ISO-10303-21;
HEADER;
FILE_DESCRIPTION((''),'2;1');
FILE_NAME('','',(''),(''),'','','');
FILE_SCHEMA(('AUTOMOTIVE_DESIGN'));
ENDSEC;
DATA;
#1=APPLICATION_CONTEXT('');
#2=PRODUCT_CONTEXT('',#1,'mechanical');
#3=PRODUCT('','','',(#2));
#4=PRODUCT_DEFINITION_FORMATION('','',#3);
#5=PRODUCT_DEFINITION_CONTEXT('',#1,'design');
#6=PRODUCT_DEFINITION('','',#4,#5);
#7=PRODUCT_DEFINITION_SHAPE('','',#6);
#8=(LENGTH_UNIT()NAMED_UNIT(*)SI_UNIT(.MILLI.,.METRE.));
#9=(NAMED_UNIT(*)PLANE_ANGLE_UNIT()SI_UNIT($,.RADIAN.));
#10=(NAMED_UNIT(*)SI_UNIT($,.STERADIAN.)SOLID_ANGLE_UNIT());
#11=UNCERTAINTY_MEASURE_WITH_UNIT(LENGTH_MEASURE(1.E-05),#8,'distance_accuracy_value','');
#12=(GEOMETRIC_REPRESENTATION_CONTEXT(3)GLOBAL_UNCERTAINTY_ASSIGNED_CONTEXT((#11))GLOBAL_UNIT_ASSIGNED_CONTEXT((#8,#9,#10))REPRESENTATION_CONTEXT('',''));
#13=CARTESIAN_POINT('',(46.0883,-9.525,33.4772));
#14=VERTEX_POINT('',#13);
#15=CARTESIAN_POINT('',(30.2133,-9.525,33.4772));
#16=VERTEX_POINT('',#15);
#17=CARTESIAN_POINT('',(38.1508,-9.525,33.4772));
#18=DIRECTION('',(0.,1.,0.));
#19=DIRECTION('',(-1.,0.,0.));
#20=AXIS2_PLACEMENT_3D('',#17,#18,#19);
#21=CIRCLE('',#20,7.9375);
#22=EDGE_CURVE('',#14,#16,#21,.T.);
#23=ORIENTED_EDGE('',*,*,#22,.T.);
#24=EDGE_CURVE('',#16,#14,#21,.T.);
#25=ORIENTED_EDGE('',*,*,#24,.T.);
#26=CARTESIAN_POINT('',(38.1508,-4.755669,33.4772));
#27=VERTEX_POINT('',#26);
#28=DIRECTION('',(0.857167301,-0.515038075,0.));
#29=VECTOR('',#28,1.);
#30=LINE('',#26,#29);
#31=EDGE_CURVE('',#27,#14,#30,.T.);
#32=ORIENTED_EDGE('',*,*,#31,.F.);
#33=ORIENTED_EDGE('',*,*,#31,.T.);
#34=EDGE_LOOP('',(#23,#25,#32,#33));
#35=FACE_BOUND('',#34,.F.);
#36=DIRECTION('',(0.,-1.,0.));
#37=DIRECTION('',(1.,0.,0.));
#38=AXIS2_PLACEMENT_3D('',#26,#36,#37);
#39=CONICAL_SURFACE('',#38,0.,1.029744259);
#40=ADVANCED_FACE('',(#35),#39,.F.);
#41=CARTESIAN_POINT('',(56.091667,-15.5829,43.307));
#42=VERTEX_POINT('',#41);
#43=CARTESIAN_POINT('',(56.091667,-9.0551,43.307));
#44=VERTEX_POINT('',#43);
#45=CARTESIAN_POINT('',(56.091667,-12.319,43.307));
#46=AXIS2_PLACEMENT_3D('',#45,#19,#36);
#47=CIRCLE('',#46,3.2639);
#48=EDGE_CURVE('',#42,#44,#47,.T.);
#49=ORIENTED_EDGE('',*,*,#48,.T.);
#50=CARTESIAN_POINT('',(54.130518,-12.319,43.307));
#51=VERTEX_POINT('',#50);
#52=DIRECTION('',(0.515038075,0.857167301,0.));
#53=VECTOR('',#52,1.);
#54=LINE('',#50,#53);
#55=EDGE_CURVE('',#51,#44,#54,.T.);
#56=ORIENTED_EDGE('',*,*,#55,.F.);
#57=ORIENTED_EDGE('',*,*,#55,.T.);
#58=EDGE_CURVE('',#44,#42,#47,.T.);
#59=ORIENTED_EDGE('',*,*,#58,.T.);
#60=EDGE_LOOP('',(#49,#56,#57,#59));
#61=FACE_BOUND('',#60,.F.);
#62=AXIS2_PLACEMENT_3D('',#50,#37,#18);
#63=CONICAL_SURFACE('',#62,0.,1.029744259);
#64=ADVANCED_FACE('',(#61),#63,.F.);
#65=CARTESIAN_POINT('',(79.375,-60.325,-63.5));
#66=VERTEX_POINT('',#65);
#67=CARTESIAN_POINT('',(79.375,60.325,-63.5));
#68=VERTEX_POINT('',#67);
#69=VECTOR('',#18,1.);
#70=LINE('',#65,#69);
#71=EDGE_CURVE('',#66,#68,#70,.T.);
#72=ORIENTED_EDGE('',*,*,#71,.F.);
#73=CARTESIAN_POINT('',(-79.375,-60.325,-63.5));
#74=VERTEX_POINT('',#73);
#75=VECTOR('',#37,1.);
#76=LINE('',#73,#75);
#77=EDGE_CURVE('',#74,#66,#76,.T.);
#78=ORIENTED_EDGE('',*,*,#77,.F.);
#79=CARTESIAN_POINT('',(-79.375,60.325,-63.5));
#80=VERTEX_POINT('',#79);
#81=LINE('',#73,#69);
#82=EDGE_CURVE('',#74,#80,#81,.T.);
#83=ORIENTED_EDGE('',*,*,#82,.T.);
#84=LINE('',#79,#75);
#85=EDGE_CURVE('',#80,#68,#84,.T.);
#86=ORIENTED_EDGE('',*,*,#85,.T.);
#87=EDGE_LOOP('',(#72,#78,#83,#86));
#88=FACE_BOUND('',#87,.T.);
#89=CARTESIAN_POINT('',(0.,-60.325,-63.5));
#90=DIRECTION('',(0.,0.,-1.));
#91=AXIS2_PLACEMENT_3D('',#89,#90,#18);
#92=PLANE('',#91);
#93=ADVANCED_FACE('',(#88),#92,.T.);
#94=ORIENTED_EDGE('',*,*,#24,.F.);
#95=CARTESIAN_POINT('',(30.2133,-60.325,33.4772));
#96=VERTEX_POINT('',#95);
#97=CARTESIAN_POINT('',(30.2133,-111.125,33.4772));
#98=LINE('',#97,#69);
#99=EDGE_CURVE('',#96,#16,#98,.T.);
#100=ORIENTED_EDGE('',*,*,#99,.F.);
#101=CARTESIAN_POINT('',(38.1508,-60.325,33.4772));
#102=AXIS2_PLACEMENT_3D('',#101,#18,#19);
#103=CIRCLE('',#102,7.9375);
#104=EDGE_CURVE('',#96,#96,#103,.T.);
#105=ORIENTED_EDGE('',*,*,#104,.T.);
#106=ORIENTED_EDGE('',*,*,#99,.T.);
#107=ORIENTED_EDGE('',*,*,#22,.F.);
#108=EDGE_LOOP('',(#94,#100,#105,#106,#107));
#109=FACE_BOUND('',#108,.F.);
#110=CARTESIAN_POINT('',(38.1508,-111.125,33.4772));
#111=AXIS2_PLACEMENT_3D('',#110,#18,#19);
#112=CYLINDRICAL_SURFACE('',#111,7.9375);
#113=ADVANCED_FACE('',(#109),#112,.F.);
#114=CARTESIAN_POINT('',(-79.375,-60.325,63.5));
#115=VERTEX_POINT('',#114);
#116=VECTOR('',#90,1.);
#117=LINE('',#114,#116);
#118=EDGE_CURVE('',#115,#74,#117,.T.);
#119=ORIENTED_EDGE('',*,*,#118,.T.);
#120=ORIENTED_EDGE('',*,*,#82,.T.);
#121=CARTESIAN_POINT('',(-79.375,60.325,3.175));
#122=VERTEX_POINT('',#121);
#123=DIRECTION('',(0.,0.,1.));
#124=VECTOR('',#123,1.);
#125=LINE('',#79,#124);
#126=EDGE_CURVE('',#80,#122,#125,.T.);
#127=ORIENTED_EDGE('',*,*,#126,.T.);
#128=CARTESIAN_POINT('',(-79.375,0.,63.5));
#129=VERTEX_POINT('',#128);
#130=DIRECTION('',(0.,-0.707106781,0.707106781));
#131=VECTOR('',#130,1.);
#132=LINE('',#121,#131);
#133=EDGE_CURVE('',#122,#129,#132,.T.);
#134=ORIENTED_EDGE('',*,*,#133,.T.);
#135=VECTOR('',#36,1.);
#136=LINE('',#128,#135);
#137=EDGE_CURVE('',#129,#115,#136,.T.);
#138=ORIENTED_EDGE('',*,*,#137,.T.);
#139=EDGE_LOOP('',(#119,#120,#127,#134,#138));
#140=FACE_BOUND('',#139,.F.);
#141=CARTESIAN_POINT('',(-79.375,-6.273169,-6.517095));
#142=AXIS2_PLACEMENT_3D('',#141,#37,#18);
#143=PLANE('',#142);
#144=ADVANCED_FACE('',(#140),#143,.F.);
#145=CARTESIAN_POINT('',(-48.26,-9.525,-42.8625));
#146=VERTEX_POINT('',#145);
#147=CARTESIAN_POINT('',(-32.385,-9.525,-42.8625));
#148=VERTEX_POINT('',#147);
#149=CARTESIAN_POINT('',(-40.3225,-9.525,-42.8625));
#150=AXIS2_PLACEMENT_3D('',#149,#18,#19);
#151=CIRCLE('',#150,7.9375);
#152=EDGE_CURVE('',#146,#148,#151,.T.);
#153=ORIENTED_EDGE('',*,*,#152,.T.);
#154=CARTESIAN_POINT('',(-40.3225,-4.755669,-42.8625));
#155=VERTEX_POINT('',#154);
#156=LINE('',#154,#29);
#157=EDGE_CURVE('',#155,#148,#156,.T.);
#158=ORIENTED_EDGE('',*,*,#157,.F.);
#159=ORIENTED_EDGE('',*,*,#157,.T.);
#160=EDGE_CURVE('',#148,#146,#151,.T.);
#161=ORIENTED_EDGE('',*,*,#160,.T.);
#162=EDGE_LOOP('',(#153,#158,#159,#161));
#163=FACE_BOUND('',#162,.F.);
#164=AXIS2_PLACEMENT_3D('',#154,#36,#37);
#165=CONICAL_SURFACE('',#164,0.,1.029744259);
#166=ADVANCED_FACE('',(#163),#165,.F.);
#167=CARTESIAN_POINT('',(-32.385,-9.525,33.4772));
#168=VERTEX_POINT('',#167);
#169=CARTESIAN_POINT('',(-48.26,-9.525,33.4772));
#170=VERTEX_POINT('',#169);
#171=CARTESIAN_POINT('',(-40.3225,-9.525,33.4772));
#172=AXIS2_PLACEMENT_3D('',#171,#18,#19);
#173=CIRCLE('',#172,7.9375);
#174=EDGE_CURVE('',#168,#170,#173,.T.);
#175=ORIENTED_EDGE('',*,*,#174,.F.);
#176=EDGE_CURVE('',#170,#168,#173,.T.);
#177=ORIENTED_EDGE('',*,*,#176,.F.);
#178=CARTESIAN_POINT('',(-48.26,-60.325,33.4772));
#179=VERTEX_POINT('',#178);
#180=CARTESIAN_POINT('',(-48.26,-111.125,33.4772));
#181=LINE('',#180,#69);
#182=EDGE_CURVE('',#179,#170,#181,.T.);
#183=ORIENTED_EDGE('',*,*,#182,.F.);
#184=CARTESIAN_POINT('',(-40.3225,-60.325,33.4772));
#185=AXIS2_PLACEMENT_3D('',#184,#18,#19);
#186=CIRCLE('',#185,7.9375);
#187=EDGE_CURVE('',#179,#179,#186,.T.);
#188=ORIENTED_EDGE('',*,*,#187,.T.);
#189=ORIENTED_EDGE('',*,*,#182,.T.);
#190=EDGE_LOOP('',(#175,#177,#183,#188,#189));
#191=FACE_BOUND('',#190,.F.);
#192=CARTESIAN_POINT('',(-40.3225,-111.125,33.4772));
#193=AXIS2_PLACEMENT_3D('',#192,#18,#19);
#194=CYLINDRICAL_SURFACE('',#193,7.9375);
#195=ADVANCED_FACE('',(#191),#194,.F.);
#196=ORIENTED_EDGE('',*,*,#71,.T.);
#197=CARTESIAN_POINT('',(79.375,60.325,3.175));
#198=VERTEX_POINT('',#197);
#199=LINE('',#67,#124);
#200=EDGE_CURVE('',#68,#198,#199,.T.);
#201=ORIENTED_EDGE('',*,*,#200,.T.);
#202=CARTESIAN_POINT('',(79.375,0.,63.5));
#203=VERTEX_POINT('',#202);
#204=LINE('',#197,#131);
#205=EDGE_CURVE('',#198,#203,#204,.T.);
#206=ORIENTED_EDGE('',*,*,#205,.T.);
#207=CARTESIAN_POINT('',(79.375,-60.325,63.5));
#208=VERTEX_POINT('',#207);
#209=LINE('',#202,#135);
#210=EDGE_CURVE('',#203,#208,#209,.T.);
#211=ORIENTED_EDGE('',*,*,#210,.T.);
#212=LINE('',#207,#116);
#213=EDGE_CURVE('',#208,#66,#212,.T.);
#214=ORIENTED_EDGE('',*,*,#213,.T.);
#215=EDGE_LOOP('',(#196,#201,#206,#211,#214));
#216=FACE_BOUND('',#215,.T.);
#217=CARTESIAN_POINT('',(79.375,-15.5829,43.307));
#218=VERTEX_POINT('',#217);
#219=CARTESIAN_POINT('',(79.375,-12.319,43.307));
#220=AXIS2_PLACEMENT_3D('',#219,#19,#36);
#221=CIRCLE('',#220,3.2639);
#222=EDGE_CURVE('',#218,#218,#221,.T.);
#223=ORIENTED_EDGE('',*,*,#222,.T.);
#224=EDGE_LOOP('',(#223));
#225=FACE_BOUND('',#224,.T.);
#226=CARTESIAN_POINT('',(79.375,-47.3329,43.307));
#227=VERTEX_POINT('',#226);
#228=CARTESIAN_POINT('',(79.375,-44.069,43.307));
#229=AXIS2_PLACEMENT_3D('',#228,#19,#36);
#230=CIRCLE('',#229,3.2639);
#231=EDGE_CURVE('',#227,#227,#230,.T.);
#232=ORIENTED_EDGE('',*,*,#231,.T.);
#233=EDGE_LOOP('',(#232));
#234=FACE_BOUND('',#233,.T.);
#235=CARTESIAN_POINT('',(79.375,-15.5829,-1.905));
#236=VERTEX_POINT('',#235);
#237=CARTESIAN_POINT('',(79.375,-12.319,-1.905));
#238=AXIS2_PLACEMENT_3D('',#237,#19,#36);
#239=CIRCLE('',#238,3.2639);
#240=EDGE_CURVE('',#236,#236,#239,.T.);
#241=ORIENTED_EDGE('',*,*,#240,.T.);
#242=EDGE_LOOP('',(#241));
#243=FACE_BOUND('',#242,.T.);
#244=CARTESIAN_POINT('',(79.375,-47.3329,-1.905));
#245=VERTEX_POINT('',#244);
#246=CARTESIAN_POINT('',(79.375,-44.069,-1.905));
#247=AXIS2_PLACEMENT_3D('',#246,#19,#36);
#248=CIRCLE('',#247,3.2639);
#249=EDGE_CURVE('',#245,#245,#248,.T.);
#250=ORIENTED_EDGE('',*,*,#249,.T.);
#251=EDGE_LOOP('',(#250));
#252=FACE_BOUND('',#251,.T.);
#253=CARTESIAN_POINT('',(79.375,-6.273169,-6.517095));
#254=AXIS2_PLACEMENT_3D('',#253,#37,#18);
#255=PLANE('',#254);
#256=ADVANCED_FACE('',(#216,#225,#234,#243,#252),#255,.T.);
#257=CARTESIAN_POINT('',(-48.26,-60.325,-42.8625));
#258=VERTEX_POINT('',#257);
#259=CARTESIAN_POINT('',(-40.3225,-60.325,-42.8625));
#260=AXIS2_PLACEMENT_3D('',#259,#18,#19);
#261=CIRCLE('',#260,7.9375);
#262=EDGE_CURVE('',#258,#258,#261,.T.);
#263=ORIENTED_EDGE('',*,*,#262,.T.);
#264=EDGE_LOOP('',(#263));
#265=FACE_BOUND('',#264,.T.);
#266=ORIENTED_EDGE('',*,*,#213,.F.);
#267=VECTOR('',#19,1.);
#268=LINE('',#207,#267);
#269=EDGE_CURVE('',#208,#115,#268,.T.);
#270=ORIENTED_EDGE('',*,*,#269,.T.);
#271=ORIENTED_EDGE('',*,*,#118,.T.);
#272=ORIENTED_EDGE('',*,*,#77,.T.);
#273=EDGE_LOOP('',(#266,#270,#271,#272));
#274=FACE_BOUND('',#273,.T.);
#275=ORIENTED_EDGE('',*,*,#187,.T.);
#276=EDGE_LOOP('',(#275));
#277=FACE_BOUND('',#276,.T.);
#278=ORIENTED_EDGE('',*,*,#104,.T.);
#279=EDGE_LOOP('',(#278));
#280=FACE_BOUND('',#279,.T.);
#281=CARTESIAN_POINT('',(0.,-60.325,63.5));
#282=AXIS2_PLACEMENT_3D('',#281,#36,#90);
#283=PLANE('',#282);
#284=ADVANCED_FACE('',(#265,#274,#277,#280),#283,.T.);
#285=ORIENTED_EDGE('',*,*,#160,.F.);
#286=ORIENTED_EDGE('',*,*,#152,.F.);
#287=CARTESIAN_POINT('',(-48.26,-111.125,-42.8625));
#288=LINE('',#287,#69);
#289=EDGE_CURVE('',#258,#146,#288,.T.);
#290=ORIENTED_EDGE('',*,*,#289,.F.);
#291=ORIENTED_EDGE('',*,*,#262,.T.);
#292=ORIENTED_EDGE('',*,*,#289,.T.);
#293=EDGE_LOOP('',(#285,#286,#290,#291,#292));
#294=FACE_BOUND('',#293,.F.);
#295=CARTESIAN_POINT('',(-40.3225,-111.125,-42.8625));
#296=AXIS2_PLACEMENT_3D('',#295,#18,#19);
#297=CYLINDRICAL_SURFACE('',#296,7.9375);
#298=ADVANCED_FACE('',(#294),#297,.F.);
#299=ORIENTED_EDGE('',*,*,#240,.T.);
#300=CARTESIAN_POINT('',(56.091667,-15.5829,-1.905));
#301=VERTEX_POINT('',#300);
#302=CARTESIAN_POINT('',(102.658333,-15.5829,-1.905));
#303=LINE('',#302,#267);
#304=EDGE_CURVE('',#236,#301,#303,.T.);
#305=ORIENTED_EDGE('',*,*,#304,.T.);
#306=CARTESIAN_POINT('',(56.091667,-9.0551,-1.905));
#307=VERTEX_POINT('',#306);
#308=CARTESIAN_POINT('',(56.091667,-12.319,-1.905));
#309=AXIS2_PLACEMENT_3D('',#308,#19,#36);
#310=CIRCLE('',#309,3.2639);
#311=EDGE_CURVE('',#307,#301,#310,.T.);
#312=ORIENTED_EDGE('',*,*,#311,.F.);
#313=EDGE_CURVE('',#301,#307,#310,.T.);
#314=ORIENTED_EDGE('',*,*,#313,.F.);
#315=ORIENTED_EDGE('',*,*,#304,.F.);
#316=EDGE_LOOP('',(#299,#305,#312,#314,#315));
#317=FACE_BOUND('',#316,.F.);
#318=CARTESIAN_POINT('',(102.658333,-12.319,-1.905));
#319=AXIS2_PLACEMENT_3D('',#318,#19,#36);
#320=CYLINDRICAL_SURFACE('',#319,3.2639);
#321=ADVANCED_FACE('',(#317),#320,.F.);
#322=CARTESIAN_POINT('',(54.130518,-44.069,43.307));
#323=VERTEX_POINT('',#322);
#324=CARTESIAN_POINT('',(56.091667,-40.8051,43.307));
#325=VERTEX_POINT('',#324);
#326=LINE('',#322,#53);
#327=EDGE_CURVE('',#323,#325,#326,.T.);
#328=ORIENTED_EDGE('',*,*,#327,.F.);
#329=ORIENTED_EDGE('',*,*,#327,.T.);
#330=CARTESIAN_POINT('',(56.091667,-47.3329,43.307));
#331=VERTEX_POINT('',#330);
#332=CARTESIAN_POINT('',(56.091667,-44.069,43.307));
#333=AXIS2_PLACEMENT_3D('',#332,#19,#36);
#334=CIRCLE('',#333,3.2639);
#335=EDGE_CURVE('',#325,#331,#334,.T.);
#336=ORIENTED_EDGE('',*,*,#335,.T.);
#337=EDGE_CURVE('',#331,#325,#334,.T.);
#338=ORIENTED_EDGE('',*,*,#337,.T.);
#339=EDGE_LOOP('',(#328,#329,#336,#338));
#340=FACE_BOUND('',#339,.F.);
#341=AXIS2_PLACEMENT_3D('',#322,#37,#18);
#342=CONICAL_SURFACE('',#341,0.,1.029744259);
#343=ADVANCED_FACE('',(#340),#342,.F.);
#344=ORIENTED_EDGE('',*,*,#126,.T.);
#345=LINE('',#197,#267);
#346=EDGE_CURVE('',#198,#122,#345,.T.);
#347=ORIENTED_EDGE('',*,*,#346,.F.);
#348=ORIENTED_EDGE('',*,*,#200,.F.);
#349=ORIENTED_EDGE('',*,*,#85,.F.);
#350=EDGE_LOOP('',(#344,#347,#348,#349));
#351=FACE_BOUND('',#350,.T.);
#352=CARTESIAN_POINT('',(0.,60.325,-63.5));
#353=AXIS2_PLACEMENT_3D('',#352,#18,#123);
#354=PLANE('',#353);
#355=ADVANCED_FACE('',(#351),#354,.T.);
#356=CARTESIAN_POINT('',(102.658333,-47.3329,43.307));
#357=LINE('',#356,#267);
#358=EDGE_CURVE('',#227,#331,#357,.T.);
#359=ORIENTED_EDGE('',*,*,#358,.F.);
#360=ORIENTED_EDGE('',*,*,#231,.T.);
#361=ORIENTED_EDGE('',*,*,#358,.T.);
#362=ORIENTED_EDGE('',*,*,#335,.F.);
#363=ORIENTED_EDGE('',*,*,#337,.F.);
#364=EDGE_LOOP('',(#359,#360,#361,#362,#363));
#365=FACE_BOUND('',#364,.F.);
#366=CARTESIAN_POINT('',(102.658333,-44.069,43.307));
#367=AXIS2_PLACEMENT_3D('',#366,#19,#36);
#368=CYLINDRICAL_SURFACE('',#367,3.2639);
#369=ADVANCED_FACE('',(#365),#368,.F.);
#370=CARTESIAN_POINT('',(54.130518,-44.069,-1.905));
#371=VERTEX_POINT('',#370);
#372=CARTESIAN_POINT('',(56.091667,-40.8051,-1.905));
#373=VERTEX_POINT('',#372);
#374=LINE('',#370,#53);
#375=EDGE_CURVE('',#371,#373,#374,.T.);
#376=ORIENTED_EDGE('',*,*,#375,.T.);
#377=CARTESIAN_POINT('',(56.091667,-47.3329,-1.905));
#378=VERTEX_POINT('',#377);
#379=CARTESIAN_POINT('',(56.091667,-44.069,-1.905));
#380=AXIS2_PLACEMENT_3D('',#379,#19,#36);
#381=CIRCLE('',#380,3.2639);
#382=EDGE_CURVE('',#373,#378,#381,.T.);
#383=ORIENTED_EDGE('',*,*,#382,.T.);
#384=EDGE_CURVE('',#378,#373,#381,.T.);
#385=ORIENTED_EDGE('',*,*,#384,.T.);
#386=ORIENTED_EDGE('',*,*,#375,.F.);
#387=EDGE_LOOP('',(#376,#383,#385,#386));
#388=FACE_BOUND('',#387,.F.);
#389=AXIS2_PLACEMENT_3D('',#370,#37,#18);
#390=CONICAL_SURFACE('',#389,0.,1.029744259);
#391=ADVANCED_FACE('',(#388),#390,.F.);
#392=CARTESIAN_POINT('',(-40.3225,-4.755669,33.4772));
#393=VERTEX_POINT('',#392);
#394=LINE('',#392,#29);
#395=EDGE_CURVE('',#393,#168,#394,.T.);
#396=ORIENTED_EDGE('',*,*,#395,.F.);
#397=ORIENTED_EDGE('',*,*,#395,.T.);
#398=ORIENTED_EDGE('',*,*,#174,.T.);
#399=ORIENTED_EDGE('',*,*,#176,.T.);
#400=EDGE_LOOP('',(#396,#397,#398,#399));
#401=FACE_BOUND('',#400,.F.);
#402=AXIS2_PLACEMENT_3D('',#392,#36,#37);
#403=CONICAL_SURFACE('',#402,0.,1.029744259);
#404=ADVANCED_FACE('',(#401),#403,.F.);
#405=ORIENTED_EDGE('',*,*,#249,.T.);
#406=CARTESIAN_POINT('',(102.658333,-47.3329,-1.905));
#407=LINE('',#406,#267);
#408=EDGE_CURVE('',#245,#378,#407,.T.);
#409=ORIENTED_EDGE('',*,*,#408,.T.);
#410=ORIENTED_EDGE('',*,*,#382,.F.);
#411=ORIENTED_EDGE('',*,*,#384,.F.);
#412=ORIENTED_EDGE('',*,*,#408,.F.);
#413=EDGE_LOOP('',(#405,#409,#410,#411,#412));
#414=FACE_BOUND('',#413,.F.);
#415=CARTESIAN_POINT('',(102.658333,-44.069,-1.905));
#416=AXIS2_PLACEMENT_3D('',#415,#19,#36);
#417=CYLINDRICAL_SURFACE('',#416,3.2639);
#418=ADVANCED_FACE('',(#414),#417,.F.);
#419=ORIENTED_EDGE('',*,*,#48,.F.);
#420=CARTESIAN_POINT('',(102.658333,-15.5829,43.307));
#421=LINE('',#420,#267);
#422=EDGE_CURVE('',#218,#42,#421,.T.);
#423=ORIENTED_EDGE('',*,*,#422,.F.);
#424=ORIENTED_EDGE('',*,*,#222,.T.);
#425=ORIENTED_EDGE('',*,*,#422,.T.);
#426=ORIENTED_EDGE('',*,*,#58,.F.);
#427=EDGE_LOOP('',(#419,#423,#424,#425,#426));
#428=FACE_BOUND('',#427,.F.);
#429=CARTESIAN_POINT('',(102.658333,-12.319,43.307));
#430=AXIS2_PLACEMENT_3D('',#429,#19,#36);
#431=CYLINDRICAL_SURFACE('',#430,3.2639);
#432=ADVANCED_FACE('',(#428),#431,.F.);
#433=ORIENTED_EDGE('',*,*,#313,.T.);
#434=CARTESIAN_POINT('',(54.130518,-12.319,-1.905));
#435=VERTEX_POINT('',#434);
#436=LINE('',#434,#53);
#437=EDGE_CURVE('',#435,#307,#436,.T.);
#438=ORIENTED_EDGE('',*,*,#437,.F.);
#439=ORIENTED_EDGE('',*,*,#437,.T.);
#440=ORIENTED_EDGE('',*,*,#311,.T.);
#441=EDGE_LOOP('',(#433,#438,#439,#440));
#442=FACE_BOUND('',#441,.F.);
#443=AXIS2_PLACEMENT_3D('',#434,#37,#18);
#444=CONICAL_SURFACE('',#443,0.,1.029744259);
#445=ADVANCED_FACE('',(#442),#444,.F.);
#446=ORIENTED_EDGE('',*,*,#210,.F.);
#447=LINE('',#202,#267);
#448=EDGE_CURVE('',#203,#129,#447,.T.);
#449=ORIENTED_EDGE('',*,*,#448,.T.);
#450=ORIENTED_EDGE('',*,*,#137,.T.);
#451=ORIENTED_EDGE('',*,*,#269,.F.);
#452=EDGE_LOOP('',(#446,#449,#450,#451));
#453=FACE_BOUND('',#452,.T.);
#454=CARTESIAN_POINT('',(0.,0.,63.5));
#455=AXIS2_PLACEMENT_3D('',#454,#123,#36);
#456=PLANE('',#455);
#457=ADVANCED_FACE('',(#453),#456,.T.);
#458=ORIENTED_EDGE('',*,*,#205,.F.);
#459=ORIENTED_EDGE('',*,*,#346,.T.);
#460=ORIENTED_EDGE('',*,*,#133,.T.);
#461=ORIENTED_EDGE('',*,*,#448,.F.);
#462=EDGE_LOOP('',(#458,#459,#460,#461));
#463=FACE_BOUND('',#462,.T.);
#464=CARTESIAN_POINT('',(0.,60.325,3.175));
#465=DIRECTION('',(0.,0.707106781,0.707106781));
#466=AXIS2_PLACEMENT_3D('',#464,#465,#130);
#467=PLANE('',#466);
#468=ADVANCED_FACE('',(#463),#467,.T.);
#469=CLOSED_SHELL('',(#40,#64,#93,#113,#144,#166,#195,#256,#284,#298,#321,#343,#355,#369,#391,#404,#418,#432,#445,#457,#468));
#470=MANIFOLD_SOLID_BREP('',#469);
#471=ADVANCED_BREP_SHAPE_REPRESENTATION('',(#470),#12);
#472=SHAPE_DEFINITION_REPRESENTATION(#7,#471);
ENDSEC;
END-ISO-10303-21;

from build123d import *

# Parameters (mm, degrees)
F1_DEPTH = 79.375
F3_D     = 15.875
F3_DEPTH = 50.8
F3_TIP   = 4.7693311635
F5_D     = 6.5278
F5_DEPTH = 23.2833333333
F5_TIP   = 1.9611489744


with BuildPart() as f1:
    # F0 (on Right) → F1 (new body, symmetric)
    with BuildSketch(Plane.YZ):
        Polygon((-60.325, 63.5), (-60.325, -63.5), (60.325, -63.5), (60.325, 3.175), (0, 63.5), align=None)
    extrude(amount=F1_DEPTH, both=True)

    # F3
    with Locations(Plane.XZ.offset(60.325)):
        with Locations((-40.3225, -42.8625), (-40.3225, 33.4772), (38.1508, 33.4772)):
            Hole(F3_D / 2, depth=F3_DEPTH)
            with Locations((0, 0, -(F3_DEPTH + F3_TIP / 2))):  # 118° drill point
                Cone(0, F3_D / 2, F3_TIP, mode=Mode.SUBTRACT)

    # F5
    with Locations(Plane.YZ.offset(79.375)):
        with Locations((-44.069, 43.307), (-44.069, -1.905), (-12.319, -1.905), (-12.319, 43.307)):
            Hole(F5_D / 2, depth=F5_DEPTH)
            with Locations((0, 0, -(F5_DEPTH + F5_TIP / 2))):  # 118° drill point
                Cone(0, F5_D / 2, F5_TIP, mode=Mode.SUBTRACT)


solid = f1.part
